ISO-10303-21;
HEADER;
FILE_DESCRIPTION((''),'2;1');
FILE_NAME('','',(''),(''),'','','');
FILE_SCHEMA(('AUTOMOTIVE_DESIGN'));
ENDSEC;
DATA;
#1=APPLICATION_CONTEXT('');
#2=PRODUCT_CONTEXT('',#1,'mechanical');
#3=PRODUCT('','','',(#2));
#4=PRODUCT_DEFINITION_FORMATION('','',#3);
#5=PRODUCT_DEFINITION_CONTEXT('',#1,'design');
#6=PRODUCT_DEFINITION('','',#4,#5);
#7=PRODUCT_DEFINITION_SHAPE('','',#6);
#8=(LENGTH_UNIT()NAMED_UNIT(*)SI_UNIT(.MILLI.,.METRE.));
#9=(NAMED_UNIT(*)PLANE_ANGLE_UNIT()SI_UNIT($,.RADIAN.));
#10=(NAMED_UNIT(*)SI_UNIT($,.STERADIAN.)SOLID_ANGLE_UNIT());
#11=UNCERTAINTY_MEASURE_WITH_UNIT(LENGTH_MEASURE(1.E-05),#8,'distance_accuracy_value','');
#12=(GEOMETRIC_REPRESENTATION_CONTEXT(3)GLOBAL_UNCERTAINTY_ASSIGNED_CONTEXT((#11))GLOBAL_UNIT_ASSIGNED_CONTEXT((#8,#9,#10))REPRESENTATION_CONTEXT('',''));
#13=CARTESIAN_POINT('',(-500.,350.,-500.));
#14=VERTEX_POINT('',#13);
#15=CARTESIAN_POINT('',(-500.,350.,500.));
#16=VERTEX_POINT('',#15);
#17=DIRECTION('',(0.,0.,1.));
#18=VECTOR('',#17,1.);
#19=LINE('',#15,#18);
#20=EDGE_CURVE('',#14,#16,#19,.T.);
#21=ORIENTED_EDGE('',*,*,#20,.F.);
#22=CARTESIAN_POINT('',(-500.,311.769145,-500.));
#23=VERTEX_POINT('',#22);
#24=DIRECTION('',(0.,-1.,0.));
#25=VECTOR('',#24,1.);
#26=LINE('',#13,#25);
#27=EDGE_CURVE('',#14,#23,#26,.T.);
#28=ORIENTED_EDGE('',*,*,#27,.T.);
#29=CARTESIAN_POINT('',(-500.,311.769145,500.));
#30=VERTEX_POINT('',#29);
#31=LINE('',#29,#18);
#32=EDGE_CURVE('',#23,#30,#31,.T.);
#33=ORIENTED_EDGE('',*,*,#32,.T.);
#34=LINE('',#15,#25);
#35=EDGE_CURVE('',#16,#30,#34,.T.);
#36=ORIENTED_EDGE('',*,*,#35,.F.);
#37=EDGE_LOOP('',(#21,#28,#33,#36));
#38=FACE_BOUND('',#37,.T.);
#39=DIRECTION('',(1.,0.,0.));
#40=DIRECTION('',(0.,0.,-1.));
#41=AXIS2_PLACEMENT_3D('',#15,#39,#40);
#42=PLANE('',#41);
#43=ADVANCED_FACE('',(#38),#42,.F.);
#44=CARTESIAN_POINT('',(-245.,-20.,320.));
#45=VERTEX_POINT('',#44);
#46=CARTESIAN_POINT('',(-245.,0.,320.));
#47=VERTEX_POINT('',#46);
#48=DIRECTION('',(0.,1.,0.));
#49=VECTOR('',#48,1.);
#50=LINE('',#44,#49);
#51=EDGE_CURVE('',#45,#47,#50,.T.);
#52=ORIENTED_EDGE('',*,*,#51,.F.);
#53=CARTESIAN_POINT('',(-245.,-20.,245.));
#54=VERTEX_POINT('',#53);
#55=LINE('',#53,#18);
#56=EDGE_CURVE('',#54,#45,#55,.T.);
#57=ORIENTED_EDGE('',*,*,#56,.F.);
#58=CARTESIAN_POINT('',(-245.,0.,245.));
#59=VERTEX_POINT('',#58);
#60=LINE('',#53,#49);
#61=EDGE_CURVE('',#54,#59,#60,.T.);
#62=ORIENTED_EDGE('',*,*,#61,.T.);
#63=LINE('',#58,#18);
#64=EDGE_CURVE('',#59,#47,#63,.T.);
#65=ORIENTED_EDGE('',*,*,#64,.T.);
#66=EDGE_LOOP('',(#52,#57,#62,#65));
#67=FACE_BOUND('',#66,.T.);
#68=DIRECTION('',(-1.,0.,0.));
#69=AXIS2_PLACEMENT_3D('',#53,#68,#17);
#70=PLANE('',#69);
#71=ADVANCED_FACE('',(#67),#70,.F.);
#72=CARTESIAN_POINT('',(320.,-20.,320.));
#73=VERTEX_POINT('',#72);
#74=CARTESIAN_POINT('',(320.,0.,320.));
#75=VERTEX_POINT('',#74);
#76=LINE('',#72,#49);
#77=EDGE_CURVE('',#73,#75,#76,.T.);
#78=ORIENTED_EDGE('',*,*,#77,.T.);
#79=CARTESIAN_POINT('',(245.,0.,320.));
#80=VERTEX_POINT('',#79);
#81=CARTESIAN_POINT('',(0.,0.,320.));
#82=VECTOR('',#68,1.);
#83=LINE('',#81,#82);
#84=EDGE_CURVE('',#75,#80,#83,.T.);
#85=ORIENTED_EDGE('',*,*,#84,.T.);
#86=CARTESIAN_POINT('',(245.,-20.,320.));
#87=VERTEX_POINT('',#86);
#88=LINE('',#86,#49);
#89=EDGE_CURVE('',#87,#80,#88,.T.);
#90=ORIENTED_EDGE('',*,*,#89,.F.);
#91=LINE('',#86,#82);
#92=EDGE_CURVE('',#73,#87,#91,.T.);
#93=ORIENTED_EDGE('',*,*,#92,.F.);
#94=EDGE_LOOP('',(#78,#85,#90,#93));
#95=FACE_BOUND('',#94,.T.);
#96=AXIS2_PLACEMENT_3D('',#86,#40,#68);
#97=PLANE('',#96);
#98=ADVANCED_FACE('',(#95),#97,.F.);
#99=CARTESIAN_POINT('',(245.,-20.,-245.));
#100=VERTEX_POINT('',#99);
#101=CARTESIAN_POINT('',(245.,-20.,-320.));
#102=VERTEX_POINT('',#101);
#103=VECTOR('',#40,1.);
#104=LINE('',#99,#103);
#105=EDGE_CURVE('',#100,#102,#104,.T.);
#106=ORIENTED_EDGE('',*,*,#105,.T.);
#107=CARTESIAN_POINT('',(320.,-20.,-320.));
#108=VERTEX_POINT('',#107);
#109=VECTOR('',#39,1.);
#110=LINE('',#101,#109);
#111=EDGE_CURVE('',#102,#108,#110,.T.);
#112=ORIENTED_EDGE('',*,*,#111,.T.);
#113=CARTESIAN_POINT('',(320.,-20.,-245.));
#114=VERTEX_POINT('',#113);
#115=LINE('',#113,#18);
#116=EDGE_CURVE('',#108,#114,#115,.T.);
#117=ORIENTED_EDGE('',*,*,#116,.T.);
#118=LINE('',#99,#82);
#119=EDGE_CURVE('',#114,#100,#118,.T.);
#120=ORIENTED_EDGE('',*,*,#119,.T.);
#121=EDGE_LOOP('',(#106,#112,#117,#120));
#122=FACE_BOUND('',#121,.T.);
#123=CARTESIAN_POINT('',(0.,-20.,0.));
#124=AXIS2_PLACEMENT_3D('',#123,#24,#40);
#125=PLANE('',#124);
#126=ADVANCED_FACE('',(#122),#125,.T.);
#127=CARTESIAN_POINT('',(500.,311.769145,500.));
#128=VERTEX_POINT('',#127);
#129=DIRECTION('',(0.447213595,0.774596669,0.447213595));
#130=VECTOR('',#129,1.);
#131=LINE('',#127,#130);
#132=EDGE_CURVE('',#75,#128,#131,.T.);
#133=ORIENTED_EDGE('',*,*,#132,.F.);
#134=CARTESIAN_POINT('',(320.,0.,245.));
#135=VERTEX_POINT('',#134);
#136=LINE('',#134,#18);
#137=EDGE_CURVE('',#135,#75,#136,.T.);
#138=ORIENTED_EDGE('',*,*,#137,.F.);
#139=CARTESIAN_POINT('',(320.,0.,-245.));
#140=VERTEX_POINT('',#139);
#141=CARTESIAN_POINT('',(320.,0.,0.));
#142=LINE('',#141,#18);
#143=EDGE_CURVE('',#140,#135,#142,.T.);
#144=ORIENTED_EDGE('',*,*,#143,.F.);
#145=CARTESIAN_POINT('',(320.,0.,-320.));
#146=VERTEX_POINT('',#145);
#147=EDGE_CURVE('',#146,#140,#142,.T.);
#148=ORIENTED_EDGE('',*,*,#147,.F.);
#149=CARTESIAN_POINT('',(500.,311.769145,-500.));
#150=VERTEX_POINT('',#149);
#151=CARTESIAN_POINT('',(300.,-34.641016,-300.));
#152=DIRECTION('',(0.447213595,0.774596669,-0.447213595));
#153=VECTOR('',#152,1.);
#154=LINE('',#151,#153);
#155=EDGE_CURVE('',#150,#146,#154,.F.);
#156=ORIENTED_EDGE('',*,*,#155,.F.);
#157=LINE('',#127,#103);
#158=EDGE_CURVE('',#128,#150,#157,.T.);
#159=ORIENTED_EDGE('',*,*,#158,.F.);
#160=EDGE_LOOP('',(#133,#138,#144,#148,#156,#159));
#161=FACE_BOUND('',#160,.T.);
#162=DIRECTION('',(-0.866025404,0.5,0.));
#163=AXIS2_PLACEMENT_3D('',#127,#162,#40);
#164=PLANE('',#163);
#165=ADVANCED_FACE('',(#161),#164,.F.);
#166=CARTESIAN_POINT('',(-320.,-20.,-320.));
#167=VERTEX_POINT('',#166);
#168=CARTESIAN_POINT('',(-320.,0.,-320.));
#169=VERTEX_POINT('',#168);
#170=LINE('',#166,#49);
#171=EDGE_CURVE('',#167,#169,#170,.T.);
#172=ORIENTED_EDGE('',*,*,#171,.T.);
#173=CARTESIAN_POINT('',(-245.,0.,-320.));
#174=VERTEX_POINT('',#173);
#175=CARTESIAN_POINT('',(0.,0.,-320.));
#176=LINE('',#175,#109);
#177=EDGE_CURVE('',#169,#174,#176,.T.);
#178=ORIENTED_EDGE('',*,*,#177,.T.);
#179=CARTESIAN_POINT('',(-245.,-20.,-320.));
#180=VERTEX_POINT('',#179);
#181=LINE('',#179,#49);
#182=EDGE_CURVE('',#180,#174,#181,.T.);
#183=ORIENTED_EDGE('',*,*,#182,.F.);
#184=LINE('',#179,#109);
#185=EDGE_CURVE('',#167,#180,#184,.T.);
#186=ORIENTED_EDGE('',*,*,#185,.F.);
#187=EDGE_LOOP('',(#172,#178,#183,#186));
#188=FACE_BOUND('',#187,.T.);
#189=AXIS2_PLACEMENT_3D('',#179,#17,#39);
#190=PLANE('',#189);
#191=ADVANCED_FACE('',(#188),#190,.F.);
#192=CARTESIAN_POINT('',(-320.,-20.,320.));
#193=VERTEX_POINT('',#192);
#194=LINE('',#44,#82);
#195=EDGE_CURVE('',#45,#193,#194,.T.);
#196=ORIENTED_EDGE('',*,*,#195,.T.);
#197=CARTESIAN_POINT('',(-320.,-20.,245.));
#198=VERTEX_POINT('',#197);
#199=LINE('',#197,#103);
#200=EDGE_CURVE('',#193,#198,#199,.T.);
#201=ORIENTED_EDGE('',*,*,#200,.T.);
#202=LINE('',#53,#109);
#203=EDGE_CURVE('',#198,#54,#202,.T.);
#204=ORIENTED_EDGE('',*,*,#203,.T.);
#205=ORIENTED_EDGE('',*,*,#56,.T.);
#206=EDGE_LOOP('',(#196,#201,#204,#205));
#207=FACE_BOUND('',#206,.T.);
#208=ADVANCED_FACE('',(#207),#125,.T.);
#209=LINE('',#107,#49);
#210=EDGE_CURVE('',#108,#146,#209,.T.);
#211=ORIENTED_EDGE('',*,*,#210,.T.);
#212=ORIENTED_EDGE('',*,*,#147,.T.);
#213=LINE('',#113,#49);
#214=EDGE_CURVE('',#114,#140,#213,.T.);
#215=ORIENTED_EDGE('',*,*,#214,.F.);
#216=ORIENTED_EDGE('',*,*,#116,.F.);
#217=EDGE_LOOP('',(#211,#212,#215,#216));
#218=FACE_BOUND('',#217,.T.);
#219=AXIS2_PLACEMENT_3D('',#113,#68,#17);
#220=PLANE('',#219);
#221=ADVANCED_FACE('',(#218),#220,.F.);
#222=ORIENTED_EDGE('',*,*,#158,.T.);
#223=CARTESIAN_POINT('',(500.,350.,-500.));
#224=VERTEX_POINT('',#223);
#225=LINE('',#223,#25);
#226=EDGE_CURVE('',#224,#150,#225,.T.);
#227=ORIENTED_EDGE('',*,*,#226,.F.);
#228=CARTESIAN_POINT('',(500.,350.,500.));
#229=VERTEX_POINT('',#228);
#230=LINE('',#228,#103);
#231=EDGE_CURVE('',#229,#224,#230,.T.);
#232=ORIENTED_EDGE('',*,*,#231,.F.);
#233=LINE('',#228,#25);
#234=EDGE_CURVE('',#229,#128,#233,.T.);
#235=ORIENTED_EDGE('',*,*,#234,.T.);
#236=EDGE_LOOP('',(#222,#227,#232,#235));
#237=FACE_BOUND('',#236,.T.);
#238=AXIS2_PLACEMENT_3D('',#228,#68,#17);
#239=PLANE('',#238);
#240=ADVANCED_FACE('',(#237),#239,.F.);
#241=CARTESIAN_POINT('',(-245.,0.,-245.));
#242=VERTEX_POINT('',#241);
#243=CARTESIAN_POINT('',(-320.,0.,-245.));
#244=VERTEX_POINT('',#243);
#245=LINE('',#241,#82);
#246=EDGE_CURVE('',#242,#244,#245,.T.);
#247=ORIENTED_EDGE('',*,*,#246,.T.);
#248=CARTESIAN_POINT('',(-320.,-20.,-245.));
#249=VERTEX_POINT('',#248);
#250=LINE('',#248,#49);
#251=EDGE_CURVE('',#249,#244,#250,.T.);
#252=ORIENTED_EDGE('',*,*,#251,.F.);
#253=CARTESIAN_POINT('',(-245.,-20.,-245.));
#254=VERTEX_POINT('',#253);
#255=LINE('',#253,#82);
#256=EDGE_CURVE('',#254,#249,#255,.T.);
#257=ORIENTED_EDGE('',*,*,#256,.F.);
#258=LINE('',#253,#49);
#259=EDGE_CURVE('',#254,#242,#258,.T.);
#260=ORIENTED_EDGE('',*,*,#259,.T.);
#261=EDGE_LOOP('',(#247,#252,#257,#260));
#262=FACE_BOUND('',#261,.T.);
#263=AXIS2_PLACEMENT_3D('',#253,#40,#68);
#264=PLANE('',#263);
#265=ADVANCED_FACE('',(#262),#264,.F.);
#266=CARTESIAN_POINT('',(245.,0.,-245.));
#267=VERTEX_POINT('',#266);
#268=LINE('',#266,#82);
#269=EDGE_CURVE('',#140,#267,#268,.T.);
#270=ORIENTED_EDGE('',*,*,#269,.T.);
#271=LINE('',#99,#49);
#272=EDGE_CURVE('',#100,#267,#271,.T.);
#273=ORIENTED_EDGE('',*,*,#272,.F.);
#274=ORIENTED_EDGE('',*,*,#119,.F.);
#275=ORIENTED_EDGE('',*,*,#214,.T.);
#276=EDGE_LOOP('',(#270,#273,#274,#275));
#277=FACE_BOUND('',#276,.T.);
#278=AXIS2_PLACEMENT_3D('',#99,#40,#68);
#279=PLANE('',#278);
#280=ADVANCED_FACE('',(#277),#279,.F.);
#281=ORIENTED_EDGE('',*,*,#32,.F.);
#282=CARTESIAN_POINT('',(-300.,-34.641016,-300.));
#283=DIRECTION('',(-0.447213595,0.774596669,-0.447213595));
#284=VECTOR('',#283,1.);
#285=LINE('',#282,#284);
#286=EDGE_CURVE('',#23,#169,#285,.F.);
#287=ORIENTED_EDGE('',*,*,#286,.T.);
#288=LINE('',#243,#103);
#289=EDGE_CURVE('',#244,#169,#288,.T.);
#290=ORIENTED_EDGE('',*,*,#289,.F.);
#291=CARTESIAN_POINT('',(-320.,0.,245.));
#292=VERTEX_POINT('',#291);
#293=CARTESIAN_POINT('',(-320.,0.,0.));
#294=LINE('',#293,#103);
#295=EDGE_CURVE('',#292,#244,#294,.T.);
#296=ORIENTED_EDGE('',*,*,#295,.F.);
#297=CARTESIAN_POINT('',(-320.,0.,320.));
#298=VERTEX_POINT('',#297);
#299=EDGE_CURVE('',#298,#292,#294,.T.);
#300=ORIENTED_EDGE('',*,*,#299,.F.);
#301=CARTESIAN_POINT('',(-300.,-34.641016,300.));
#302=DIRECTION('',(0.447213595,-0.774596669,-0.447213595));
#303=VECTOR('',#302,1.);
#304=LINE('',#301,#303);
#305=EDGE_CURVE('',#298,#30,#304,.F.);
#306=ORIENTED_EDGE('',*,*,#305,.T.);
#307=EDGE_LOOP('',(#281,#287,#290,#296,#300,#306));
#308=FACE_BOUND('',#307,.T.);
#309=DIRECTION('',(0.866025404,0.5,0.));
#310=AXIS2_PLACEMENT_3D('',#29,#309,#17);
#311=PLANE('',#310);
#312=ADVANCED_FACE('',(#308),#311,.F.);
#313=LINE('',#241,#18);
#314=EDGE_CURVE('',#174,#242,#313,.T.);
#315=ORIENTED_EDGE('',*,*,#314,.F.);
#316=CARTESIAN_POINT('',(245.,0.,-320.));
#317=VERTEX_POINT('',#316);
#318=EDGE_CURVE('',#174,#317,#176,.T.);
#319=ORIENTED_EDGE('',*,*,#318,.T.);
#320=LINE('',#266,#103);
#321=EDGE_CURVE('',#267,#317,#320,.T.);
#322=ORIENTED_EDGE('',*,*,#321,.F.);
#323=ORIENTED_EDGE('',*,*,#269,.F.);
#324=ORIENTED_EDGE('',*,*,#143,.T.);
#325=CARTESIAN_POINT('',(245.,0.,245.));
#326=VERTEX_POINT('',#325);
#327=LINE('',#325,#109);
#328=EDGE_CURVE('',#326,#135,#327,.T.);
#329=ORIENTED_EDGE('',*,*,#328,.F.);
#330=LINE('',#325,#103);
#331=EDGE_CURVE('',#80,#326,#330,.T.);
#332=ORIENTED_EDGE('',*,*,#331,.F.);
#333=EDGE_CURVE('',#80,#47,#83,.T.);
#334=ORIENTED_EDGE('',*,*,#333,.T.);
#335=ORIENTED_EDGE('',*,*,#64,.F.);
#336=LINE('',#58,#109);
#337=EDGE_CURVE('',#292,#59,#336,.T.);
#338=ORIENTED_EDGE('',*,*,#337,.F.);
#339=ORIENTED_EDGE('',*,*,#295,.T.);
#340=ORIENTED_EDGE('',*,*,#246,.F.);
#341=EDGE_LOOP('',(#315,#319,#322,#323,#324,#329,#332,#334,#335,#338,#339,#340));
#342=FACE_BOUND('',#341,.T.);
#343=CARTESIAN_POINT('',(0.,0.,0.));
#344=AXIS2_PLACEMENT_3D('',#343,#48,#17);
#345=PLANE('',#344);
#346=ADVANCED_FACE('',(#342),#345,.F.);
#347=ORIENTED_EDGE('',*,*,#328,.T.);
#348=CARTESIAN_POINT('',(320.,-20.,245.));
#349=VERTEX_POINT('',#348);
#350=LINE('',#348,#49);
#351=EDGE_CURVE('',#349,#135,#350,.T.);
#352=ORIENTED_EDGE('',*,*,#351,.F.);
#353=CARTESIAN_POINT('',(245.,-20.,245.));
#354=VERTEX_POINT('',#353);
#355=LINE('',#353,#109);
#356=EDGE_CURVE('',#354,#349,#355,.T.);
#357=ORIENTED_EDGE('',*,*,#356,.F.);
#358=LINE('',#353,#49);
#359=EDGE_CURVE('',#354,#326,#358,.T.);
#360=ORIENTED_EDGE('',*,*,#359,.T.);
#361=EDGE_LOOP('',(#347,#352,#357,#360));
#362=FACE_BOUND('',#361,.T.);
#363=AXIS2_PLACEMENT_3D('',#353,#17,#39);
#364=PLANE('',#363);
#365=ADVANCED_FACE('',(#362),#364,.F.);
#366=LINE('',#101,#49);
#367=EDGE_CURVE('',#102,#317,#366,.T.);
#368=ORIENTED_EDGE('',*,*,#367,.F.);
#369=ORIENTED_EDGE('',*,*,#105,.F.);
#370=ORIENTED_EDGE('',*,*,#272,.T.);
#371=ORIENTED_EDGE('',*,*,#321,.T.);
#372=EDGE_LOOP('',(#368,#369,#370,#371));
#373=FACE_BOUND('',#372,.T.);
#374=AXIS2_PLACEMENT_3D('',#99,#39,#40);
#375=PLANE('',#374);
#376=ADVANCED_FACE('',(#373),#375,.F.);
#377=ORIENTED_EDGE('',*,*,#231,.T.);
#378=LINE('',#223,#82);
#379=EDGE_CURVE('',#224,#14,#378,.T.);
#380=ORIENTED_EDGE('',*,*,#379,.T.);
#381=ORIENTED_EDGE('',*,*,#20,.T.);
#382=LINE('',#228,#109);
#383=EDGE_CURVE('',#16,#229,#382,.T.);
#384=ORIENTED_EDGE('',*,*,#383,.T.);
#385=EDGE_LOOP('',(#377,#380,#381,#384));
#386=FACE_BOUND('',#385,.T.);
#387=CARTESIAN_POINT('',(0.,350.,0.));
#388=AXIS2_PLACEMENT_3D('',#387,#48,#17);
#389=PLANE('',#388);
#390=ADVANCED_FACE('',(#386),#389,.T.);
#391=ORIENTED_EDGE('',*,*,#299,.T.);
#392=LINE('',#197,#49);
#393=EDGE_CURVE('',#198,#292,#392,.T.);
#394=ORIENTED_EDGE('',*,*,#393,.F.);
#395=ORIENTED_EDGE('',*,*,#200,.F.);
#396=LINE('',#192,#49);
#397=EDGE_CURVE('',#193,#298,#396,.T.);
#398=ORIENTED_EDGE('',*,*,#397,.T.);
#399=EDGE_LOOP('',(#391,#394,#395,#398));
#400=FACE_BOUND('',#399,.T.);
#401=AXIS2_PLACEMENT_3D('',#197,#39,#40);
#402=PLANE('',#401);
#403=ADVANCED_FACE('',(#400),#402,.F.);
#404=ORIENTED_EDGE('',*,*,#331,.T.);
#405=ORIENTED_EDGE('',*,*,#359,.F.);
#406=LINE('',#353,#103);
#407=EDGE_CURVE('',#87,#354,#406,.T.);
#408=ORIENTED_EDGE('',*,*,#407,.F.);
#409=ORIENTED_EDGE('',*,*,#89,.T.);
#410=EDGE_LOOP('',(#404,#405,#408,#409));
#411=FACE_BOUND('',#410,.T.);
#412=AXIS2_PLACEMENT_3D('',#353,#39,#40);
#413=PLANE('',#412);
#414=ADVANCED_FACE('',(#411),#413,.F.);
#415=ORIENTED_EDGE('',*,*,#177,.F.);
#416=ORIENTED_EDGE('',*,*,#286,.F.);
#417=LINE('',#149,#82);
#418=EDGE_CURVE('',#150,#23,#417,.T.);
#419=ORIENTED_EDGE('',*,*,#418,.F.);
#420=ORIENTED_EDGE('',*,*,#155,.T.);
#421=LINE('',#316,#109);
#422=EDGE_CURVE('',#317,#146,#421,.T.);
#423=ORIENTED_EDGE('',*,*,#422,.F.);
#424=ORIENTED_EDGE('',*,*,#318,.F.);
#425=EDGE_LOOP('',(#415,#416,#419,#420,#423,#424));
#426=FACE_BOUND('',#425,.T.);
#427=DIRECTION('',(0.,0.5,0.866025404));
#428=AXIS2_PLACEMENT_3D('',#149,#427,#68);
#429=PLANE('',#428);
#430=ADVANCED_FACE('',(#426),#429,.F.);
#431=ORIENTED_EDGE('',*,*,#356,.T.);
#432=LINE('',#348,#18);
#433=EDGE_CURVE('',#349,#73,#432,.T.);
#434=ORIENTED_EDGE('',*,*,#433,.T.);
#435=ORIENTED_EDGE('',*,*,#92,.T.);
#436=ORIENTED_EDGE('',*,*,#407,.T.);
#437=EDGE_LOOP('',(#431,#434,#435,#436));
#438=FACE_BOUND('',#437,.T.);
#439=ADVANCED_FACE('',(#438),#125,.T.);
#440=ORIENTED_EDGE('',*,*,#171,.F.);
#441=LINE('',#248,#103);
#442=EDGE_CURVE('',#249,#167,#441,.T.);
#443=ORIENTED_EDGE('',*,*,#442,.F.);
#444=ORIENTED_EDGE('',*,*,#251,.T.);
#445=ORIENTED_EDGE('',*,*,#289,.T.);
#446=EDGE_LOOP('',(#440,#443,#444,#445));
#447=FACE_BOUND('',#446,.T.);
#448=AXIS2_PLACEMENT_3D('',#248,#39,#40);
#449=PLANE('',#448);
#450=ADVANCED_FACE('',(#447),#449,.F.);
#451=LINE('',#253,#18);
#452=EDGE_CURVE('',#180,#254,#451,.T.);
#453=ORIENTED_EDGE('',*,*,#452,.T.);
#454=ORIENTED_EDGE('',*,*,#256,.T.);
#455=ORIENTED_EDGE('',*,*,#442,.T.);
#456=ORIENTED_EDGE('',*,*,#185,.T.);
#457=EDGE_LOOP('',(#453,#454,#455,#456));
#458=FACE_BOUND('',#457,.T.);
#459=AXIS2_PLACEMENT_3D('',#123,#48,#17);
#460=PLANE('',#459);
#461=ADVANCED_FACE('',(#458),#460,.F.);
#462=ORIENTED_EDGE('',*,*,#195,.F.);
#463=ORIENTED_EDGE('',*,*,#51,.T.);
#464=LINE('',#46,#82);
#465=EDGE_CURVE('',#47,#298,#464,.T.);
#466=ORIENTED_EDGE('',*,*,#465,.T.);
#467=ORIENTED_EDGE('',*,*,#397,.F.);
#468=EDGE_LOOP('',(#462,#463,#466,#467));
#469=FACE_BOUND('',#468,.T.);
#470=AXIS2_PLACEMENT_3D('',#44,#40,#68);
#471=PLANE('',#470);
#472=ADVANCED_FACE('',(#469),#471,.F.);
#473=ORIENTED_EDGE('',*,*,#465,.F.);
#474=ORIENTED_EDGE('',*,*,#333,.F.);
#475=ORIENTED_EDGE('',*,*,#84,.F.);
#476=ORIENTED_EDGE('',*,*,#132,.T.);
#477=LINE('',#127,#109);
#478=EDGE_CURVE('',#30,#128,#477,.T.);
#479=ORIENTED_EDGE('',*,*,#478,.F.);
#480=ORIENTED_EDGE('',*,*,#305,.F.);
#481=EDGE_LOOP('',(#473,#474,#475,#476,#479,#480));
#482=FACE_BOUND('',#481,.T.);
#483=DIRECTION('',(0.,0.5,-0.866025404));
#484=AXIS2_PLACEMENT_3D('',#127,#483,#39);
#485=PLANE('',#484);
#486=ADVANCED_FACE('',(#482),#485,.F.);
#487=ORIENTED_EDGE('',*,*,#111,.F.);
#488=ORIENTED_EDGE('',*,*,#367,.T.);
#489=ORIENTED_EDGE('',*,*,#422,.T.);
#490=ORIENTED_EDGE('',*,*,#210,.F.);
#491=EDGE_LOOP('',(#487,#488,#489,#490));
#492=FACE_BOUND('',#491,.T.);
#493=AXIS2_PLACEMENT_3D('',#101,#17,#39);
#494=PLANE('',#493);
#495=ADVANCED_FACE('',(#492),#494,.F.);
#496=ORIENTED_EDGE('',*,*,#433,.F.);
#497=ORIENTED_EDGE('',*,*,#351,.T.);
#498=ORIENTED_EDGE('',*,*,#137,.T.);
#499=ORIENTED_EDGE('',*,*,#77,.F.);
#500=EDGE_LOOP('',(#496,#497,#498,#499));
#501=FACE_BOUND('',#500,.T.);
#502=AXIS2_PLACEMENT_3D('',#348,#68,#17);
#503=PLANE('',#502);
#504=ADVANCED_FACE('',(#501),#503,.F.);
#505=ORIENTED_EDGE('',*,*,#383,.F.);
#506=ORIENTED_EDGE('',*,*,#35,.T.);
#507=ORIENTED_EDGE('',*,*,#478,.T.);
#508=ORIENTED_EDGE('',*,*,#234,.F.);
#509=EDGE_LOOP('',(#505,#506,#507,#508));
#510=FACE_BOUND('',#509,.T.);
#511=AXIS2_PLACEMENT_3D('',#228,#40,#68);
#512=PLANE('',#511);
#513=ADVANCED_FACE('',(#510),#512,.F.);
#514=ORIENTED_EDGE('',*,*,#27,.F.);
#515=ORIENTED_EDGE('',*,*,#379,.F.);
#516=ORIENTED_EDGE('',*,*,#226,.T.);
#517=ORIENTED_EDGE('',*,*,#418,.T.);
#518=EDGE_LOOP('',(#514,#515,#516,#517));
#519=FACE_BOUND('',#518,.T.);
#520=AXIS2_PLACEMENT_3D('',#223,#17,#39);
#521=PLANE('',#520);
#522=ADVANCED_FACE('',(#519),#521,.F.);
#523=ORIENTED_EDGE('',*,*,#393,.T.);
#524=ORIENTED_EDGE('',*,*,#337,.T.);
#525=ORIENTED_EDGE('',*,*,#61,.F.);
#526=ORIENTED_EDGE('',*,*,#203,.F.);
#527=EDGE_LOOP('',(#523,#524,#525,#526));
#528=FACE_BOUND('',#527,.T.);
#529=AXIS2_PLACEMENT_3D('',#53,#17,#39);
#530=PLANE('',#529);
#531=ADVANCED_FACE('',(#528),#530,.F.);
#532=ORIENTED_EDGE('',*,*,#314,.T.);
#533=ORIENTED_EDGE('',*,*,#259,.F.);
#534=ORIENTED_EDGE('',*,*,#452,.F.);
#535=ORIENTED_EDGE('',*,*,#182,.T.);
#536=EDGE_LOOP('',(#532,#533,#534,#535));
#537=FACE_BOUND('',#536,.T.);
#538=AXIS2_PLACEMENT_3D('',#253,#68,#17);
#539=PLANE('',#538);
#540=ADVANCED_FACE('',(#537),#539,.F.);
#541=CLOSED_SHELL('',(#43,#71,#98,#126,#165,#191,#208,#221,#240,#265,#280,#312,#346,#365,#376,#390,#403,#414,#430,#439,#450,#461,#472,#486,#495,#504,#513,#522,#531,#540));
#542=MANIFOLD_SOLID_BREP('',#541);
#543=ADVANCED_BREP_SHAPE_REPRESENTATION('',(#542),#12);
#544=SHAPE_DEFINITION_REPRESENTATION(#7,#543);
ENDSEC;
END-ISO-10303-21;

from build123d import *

# Parameters (mm, degrees)
CROQUIS1_W              = 1000
CROQUIS1_H              = 1000
SALIENTE_EXTRUIR1_DEPTH = 350
CHAFL_N1_SIZE           = 180
CHAFL_N1_SIZE2          = 311.769145362
CROQUIS2_W              = 75
CROQUIS2_H              = 75
SALIENTE_EXTRUIR2_DEPTH = 20


with BuildPart() as part:
    # Croquis1 → Saliente-Extruir1 (new body)
    with BuildSketch(Plane(origin=(0, 0, 0), x_dir=(1, 0, 0), z_dir=(0, 1, 0))):
        Rectangle(CROQUIS1_W, CROQUIS1_H)
    extrude(amount=SALIENTE_EXTRUIR1_DEPTH)

    # Chaflán1
    chafl_n1_edges = [part.edges().sort_by_distance(p)[0] for p in [
        (0, 0, -500),
        (500, 0, 0),
        (0, 0, 500),
        (-500, 0, 0),
    ]]
    chafl_n1_side = [part.faces().sort_by_distance(p)[0] for p in [
        (0, 0, 0),
    ]]
    chamfer(chafl_n1_edges, length=CHAFL_N1_SIZE, length2=CHAFL_N1_SIZE2, reference=chafl_n1_side[0])

    # Croquis2 → Saliente-Extruir2 (add)
    with BuildSketch(Plane.XZ):
        with Locations((-282.5, 282.5)):
            Rectangle(CROQUIS2_W, CROQUIS2_H)
        with Locations((282.5, 282.5)):
            Rectangle(CROQUIS2_W, CROQUIS2_H)
        with Locations((282.5, -282.5)):
            Rectangle(CROQUIS2_W, CROQUIS2_H)
        with Locations((-282.5, -282.5)):
            Rectangle(CROQUIS2_W, CROQUIS2_H)
    extrude(amount=SALIENTE_EXTRUIR2_DEPTH)


solid = part.part
